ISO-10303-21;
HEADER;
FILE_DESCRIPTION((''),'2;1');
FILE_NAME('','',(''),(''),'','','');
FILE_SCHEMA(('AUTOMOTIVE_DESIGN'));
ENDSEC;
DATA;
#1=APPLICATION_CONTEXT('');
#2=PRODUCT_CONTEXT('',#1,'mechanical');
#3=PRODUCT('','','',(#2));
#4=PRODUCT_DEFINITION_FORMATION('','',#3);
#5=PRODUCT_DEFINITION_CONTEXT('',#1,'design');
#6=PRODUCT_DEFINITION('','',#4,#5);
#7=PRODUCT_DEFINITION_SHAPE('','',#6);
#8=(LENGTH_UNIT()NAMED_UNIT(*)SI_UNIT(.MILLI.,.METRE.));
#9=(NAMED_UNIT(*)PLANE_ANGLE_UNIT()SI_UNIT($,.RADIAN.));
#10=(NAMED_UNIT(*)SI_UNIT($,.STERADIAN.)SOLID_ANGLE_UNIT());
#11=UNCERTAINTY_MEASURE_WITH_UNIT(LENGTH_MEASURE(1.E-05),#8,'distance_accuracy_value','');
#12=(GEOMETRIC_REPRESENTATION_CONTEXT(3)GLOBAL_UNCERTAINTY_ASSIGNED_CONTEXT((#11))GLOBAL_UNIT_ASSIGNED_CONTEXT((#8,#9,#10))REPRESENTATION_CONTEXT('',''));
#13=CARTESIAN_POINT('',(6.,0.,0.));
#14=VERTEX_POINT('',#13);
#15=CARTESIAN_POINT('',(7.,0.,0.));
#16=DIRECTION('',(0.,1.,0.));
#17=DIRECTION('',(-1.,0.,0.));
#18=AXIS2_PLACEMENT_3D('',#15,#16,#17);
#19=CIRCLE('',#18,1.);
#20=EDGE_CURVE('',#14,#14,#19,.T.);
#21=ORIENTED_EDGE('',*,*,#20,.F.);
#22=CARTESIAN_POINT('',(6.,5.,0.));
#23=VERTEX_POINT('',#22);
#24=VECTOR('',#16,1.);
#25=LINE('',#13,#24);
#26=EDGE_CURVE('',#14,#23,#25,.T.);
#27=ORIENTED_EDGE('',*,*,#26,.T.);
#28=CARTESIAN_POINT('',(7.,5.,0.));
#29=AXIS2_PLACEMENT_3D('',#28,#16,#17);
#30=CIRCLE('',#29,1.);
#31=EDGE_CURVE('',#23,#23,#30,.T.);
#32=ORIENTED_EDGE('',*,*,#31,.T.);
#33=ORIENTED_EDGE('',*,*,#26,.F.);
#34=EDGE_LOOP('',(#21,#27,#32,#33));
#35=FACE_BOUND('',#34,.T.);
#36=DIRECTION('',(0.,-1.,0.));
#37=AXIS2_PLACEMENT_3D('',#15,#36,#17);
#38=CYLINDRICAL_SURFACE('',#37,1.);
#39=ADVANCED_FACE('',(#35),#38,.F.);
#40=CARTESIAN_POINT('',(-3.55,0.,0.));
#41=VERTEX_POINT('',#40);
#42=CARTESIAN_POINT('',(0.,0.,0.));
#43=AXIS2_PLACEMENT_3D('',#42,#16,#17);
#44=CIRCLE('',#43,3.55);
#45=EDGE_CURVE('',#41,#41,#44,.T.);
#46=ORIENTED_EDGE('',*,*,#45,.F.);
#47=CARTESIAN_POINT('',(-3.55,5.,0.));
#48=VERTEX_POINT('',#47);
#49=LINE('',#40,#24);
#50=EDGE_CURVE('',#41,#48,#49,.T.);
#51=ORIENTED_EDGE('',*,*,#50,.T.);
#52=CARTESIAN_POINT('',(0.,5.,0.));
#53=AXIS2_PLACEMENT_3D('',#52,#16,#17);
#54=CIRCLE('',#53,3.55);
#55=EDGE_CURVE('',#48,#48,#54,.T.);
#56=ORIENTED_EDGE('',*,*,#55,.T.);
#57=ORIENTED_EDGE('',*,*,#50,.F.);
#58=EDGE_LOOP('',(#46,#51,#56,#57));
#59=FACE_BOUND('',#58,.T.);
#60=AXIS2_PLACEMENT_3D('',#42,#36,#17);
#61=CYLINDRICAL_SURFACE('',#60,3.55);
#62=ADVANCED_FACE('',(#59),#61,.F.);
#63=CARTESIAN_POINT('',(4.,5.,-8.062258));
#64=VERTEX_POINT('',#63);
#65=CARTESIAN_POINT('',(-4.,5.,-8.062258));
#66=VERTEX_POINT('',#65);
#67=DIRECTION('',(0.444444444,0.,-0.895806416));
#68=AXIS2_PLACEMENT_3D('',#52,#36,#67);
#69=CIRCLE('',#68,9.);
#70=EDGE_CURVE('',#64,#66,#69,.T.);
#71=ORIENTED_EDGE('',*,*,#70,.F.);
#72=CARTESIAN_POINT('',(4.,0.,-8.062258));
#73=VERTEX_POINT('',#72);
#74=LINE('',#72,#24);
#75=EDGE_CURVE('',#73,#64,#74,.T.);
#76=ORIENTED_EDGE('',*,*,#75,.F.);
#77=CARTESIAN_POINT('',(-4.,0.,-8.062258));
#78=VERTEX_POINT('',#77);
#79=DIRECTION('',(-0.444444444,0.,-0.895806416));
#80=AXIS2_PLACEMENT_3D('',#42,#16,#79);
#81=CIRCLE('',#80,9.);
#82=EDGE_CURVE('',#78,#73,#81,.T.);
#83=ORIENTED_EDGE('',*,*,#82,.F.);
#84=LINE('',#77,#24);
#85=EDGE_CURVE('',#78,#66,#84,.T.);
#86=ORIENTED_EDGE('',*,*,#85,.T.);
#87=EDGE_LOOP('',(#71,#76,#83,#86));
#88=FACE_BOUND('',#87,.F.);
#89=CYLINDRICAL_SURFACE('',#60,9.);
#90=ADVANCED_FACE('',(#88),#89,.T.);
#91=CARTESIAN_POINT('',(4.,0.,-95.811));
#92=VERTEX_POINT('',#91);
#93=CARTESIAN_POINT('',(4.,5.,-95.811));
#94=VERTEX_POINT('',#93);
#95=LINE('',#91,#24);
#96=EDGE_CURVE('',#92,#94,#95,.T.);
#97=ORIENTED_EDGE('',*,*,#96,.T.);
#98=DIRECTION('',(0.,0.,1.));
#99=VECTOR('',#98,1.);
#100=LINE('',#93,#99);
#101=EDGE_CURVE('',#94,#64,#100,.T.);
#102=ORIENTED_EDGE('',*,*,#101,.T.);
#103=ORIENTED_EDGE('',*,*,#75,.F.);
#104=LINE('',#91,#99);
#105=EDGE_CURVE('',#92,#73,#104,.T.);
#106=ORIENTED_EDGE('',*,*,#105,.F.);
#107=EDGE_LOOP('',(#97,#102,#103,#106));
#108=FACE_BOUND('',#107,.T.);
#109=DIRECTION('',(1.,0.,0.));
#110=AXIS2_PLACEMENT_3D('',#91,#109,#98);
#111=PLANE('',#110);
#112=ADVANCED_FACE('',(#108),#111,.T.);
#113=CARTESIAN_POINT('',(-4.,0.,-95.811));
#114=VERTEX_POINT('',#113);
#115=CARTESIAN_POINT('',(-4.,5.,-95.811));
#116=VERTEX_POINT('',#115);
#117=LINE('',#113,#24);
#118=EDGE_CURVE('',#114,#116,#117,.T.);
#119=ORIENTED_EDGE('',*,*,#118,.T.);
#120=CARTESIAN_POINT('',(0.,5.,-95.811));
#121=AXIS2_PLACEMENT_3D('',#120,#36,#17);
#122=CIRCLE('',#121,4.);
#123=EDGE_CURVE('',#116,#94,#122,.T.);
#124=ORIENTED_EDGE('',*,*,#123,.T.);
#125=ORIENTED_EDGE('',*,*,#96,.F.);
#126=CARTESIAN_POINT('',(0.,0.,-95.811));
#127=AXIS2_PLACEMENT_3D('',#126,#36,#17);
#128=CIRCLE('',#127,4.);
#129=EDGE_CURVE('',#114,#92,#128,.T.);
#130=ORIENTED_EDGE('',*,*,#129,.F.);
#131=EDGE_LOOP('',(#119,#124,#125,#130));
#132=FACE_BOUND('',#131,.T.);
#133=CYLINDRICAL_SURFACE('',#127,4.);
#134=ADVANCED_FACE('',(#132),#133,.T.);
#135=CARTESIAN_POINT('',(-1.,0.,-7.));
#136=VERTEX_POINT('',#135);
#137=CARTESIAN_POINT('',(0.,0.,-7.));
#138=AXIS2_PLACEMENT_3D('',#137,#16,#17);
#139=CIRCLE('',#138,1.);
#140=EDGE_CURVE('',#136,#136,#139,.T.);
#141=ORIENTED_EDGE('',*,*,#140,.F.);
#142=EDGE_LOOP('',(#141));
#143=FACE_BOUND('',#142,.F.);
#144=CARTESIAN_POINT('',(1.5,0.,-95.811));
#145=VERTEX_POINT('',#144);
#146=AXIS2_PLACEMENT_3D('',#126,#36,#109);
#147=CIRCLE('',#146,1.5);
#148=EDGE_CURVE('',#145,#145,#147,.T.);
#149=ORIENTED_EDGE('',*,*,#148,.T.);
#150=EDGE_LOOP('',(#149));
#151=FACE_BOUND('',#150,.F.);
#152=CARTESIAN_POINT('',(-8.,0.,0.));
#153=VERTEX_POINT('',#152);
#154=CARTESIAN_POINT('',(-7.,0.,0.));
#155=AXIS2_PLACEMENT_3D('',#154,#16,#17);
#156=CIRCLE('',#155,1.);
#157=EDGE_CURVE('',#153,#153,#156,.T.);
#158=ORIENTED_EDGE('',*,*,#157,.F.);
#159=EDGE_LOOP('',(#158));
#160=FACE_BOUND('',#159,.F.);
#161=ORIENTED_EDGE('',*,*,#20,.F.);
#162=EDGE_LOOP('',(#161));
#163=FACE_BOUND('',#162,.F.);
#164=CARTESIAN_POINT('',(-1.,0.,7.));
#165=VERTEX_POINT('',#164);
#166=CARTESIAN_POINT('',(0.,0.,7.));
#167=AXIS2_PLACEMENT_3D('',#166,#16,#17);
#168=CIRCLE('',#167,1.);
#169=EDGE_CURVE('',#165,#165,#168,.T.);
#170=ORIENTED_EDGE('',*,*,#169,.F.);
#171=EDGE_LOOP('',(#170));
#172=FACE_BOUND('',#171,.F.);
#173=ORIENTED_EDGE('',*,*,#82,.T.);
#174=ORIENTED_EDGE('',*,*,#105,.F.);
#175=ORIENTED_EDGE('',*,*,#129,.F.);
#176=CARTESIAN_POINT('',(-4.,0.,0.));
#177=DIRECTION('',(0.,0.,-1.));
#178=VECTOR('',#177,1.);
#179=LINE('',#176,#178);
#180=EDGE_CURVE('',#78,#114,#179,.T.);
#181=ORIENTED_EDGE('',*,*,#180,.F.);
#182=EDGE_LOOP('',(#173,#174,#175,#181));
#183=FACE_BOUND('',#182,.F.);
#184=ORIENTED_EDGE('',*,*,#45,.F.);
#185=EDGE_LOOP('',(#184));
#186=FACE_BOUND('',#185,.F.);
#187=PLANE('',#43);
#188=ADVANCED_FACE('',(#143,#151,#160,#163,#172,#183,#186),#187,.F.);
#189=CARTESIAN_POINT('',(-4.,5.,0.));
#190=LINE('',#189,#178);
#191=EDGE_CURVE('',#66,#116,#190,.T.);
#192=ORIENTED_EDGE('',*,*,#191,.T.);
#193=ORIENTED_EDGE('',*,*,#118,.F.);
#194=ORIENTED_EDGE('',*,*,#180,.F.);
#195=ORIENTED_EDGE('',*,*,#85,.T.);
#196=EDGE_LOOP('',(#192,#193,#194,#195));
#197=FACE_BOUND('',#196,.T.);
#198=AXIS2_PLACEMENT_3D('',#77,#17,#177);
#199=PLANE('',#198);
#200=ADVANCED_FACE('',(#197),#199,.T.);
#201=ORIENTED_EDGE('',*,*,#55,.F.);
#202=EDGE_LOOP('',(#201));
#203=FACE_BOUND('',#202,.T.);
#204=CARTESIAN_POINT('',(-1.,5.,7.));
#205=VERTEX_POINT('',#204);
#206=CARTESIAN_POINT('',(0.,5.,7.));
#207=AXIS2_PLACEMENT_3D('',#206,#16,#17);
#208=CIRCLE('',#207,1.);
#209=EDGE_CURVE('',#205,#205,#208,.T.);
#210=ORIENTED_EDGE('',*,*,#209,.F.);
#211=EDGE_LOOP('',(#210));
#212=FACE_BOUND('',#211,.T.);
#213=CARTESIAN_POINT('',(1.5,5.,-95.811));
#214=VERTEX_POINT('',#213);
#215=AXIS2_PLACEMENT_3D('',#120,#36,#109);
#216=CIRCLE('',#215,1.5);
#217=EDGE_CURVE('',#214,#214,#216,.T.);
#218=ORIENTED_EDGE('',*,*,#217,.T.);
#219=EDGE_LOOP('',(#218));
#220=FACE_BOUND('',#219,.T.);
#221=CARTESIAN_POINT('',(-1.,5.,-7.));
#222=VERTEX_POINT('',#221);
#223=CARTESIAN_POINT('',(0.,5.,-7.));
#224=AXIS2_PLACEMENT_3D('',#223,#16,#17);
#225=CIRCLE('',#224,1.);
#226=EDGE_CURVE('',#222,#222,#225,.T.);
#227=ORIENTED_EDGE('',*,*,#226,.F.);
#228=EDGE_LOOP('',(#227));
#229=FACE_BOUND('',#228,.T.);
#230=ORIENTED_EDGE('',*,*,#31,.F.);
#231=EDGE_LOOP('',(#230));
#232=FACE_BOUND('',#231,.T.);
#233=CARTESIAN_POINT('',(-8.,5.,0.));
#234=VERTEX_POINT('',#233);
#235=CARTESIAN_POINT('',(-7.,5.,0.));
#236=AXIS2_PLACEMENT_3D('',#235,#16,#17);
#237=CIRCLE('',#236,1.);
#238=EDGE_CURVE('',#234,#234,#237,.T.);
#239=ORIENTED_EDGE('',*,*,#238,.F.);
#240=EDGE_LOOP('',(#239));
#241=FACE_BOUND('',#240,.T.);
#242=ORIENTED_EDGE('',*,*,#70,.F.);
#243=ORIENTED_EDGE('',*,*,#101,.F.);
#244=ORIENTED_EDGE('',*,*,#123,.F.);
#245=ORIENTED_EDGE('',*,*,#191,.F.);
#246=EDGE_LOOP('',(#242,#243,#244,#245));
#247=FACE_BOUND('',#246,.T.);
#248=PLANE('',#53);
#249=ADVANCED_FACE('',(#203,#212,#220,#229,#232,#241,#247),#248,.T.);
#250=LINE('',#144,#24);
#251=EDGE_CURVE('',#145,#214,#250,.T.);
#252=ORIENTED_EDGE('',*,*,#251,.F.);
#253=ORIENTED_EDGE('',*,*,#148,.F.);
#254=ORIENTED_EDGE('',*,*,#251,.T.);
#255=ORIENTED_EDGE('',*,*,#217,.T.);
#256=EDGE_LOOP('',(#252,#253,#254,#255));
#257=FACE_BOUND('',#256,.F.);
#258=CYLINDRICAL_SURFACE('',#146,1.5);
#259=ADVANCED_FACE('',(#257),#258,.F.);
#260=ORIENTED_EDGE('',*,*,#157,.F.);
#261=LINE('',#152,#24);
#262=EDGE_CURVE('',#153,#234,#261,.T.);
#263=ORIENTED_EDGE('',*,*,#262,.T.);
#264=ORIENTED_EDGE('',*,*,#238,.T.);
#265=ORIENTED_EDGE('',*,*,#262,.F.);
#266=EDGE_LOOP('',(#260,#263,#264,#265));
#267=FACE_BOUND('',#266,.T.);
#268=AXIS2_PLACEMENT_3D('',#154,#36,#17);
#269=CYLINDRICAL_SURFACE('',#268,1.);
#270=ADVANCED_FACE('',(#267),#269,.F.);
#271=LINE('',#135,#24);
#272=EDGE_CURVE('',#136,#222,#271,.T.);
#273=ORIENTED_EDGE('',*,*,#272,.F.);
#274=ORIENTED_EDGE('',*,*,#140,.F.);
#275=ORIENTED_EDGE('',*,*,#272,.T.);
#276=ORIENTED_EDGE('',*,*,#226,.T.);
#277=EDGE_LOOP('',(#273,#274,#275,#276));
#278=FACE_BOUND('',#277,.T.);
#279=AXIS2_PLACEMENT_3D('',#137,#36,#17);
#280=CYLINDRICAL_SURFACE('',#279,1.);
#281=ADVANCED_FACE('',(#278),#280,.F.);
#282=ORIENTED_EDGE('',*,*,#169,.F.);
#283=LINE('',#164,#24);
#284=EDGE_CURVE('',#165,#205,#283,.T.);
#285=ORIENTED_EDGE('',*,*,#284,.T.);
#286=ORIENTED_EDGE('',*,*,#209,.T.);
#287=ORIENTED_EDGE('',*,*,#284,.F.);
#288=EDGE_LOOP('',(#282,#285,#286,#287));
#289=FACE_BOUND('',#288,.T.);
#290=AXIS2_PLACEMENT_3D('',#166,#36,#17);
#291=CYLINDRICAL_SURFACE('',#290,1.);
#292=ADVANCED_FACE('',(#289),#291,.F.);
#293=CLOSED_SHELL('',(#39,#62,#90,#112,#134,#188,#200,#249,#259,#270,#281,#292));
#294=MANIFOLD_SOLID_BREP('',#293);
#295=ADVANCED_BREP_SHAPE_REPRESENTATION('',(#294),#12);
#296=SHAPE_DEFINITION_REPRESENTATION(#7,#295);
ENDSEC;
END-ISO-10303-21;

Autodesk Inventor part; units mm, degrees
ref_plane "YZ Plane" through (0, 0, 0) normal (1, 0, 0) x (0, 1, 0)
ref_plane "XZ Plane" through (0, 0, 0) normal (0, 1, 0) x (-1, 0, 0)
ref_plane "XY Plane" through (0, 0, 0) normal (0, 0, 1) x (1, 0, 0)
sketch "Sketch1" plane through (0, 0, 0) normal (0, 1, 0) x (-1, 0, 0)
  circle A0 centre (0, 0) radius 9
  circle A1 centre (0, 0) radius 3.55
  circle A2 centre (7, 0) radius 1
  circle A3 centre (0, 7) radius 1
  circle A4 centre (-7, 0) radius 1
  circle A5 centre (0, -7) radius 1
  dimension "d0" = 18
  dimension "d1" = 7.1
  dimension "d2" = 2
  dimension "d3" = 7
  dimension "d6" = 360
extrude "Extrusion1" add sketch "Sketch1" along normal blind 5
sketch "Sketch4" plane through (0, 0, 0) normal (0, -1, 0) x (1, 0, 0)
  line L0 (0, 0) -> (0, -95.811) construction
  line L1 (-4, 0) -> (-4, -95.811)
  line L2 (4, -95.811) -> (4, 0)
  arc A0 (4, 0) -> (-4, 0) centre (0, 0) ccw
  arc A1 (-4, -95.811) -> (4, -95.811) centre (0, -95.811) ccw
  circle A2 centre (0, -95.811) radius 1.5
  circle A3 centre (0, 0) radius 9 projected
  circle A4 centre (0, -7) radius 1 projected
  circle A5 centre (7, 0) radius 1 projected
  circle A6 centre (0, 7) radius 1 projected
  circle A7 centre (-7, 0) radius 1 projected
  circle A8 centre (0, 0) radius 3.55 projected
  point P0 (0, -47.9055)
  point P1 (4, -8.0623)
  point P2 (-4, -8.0623)
  dimension "d19" = 95.811
  dimension "d20" = 8
  dimension "d21" = 3
extrude "Extrusion4" add sketch "Sketch4" against normal blind 5 contours A3 L2 A1 L1
properties part number "Wing_arm_1"
